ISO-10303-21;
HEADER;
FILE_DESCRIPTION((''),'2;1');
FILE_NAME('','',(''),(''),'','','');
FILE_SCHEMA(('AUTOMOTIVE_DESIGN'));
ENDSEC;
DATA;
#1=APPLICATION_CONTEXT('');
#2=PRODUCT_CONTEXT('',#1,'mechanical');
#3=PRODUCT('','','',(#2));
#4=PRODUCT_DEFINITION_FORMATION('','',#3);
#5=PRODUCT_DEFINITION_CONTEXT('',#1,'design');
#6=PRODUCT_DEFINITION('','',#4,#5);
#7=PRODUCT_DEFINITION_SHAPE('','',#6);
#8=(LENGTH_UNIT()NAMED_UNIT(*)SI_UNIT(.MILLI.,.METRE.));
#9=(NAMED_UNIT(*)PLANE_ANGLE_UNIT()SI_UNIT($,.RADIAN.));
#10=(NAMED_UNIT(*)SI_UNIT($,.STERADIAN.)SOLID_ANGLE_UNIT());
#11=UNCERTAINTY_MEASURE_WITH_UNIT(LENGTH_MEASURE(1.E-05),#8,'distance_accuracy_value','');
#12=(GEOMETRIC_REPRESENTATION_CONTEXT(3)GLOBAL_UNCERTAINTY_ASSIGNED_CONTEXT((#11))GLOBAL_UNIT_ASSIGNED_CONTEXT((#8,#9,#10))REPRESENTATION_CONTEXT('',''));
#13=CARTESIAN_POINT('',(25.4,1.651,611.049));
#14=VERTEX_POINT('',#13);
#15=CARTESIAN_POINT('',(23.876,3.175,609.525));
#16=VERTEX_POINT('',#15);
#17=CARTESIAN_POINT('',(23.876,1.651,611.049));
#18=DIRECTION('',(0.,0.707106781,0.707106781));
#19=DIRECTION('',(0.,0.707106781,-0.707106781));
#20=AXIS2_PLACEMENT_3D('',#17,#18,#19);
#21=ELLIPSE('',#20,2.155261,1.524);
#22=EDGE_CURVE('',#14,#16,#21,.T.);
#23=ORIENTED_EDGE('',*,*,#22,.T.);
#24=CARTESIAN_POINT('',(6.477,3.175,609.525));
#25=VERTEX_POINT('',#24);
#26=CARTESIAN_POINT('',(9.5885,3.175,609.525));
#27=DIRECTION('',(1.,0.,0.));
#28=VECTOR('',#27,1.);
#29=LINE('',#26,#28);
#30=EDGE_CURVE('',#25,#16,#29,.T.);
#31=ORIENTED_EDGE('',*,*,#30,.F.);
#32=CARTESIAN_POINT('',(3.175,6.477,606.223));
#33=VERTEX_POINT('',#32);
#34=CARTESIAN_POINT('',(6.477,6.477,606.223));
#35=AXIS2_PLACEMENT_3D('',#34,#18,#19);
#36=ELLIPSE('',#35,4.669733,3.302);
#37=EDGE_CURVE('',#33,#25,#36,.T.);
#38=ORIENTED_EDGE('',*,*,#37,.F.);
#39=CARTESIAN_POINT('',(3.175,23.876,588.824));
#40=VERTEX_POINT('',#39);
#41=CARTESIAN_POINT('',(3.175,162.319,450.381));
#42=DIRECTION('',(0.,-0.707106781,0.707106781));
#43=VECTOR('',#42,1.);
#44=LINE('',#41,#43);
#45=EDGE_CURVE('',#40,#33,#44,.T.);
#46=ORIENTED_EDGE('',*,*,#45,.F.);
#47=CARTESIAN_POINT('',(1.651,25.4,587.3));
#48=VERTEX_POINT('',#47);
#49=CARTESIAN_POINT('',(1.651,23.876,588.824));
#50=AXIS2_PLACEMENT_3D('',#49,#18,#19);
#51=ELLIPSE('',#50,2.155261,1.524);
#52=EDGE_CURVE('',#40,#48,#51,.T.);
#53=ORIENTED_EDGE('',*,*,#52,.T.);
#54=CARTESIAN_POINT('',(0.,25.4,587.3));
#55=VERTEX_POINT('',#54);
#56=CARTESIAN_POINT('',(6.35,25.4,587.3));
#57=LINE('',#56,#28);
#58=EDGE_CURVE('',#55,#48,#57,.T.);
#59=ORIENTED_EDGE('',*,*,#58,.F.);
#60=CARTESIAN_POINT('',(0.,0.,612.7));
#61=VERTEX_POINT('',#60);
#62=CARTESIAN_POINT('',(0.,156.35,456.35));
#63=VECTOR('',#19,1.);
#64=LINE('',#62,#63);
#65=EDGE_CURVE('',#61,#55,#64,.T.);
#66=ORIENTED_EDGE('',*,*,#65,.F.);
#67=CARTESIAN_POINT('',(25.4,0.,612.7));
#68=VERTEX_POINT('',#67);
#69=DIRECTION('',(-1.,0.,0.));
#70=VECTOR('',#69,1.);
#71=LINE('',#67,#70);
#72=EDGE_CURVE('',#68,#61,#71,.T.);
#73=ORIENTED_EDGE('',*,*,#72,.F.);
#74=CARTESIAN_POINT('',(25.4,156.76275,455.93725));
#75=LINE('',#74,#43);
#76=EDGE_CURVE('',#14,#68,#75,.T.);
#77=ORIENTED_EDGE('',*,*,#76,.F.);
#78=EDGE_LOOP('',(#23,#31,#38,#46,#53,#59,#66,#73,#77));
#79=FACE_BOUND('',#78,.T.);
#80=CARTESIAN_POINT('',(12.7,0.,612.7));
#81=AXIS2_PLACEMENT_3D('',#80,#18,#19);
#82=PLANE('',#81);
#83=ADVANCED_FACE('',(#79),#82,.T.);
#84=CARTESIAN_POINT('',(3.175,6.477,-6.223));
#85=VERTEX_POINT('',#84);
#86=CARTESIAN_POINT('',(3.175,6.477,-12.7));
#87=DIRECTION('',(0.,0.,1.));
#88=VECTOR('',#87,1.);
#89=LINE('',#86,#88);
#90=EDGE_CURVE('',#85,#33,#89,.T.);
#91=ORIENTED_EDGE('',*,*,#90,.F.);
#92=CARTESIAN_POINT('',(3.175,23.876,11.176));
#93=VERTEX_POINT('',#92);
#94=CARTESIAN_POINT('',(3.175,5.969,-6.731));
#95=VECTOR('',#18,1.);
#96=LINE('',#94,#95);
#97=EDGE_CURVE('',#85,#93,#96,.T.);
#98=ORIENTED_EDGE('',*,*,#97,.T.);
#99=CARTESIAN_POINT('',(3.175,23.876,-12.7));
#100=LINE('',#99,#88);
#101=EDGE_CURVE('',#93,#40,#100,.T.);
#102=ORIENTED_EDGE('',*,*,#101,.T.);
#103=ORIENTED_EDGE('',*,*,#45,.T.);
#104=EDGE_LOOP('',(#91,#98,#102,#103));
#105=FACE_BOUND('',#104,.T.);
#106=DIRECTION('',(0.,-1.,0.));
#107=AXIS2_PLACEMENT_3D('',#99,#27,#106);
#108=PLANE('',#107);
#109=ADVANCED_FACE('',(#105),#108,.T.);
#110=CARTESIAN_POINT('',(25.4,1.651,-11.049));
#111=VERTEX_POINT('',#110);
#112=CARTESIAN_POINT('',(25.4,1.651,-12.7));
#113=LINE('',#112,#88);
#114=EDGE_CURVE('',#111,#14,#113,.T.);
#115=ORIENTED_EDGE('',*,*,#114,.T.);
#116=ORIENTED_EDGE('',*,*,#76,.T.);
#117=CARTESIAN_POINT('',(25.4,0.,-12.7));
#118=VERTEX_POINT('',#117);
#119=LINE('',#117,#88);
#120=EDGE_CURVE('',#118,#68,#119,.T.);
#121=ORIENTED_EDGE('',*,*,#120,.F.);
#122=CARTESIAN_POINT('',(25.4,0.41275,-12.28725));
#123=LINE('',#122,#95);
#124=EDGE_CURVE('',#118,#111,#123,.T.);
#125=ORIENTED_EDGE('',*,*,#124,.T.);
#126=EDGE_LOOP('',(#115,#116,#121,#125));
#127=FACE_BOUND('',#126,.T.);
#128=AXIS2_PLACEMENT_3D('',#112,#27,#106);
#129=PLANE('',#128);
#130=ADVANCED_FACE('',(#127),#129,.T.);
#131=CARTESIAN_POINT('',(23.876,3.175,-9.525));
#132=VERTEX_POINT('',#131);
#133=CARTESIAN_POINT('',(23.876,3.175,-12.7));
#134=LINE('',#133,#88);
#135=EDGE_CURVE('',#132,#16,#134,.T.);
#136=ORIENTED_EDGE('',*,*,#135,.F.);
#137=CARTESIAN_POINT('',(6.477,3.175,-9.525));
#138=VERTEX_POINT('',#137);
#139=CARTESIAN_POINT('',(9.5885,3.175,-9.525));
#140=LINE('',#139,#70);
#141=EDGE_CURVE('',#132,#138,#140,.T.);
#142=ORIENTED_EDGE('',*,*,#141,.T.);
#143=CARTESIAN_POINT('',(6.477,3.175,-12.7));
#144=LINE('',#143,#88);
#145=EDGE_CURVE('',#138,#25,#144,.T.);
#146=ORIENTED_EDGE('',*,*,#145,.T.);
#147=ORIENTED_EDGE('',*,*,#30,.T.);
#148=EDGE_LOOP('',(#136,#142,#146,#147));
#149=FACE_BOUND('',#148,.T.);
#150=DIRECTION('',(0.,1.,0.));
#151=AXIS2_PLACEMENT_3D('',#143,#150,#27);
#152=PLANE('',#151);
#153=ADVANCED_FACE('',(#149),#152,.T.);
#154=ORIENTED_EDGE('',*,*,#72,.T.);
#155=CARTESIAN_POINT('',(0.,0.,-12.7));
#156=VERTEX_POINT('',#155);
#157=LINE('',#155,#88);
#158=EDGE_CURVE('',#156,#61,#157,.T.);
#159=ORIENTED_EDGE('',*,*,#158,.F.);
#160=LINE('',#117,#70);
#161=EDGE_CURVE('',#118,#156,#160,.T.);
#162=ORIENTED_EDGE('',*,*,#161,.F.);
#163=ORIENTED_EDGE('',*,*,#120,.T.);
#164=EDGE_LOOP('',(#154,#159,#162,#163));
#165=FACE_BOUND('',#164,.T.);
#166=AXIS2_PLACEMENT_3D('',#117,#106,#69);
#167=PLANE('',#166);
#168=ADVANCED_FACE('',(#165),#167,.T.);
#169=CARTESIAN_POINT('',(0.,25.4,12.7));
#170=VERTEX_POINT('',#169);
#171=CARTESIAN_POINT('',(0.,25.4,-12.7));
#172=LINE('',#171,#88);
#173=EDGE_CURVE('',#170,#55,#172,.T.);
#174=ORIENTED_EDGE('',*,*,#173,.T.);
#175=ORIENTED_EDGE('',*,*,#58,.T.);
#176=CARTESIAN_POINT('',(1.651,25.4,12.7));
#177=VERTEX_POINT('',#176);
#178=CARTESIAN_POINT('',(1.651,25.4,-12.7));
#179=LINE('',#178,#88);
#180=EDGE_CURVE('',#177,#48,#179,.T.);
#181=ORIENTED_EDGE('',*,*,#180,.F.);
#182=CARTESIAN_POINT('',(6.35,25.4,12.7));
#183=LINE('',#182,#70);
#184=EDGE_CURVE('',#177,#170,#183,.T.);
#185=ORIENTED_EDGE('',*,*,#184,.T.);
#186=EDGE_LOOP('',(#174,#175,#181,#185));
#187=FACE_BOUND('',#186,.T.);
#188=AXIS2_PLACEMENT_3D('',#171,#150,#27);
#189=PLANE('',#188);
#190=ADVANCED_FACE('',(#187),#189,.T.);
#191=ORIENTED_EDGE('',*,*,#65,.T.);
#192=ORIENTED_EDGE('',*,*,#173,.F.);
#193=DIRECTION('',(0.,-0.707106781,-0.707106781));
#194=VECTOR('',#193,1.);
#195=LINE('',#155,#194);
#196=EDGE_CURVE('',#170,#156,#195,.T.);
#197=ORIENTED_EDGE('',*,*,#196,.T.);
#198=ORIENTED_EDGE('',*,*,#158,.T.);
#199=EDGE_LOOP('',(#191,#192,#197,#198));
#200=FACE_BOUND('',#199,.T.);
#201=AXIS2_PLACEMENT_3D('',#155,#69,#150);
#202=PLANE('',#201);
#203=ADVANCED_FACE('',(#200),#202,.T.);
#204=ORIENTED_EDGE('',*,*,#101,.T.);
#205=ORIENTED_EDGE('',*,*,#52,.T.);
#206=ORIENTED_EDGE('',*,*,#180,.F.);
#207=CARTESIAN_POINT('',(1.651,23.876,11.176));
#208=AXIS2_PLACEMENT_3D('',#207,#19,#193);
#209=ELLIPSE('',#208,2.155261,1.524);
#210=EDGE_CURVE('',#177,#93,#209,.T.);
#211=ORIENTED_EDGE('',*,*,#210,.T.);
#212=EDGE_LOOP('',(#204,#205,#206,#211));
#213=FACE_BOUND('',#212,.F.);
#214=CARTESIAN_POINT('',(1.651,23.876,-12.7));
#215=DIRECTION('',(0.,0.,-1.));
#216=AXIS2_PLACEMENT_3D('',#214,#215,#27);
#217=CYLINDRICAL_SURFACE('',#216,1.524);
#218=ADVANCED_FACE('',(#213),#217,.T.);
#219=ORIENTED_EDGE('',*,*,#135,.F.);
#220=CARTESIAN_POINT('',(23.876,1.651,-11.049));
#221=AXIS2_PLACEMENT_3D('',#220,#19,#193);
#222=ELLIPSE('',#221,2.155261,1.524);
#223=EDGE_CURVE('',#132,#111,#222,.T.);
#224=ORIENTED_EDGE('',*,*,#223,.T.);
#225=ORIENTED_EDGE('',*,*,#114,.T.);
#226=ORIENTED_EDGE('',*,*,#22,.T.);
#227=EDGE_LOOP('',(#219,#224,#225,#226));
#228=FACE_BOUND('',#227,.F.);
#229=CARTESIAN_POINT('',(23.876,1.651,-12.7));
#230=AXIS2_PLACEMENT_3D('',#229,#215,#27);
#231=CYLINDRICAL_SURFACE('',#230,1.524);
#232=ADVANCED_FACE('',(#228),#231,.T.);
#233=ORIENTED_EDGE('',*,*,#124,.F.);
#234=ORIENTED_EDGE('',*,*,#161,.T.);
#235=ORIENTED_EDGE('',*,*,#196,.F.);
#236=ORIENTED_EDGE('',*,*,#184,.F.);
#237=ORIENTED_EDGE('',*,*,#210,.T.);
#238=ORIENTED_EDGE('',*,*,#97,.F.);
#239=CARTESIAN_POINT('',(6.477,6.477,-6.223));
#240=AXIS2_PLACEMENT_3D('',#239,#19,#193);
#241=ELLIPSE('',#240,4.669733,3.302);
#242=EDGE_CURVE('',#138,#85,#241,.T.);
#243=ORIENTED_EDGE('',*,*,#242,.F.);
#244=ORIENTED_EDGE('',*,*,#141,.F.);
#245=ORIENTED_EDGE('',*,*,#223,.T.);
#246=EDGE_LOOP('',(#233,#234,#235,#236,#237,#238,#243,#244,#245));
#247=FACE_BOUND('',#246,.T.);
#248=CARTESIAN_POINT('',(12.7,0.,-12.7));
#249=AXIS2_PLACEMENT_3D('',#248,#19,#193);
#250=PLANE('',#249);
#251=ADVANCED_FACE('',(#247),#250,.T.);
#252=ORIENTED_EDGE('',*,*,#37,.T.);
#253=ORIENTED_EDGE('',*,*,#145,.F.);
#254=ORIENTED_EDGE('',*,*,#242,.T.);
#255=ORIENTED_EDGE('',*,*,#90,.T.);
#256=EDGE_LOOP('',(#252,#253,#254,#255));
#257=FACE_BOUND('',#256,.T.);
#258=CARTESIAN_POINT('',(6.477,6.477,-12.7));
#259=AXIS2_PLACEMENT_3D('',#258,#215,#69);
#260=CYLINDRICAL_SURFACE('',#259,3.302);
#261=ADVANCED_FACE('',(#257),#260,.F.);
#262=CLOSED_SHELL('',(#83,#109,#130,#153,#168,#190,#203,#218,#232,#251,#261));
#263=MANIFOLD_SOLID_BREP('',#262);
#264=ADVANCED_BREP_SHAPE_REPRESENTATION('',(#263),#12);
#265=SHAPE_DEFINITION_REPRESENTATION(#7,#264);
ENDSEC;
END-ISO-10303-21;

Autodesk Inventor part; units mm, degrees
ref_plane "Start Plane" through (0, 0, -12.7) normal (0, 0, 1) x (1, 0, 0)
ref_plane "End Plane" through (0, 0, 612.7) normal (0, 0, 1) x (1, 0, 0)
sketch "Sketch" plane through (0, 0, 0) normal (0, 0, 1) x (1, 0, 0)
  line L0 (25.4, 0) -> (0, 0)
  line L1 (0, 0) -> (0, 25.4)
  line L2 (0, 25.4) -> (1.651, 25.4)
  line L3 (3.175, 23.876) -> (3.175, 6.477)
  line L4 (6.477, 3.175) -> (23.876, 3.175)
  line L5 (25.4, 1.651) -> (25.4, 0)
  line L6 (0, -11.0414) -> (0, 31.5385) construction
  line L7 (-11.0414, 0) -> (31.5385, 0) construction
  arc A0 (3.175, 6.477) -> (6.477, 3.175) centre (6.477, 6.477) ccw
  arc A1 (3.175, 23.876) -> (1.651, 25.4) centre (1.651, 23.876) ccw
  arc A2 (25.4, 1.651) -> (23.876, 3.175) centre (23.876, 1.651) ccw
  line L8 (0, 40.0545) -> (0, -19.5574) construction
  line L9 (-19.5574, 0) -> (40.0545, 0) construction
  point P0 (3.175, 25.4)
  point P1 (3.175, 3.175)
  point P2 (25.4, 3.175)
  dimension "d0" = 25.4
  dimension "d1" = 25.4
  dimension "d2" = 3.175
  dimension "d3" = 3.175
  dimension "d10" = 0
  dimension "d11" = 0
  dimension "d14" = 3.302
  dimension "d15" = 1.524
extrude "Body" add sketch "Sketch" along normal up to surface (625.4 mm away) from surface at -12.7
sketch "Sketch3" plane through (0, 0, 0) normal (0, 0, 1) x (1, 0, 0)
  line L0 (0, 0) -> (10, 0)
ref_plane "Work Plane3" through (0, 0, 0) normal (0, -1, 0) x (1, 0, 0)
ref_plane "Work Plane4" through (12.7, 0, -12.7) normal (0, 0.7071, -0.7071) x (1, 0, 0)
split "Split1" plane through (12.7, 0, -12.7) removes the side toward (0, 0.7071, -0.7071)
ref_plane "Work Plane5" through (12.7, 0, 612.7) normal (0, 0.7071, 0.7071) x (1, 0, 0)
split "Split2" plane through (12.7, 0, 612.7) removes the side toward (0, 0.7071, 0.7071)
sketch "Sketch4" plane through (0, 0, 0) normal (0, -1, 0) x (1, 0, 0)
  line L0 (-2, -12.7) -> (12, -12.7) projected
  line L1 (-2, 612.7) -> (12, 612.7) projected
  dimension "d17" = 625.4
equation "\"d0\" = G_H"
equation "\"d1\" = G_H"
equation "\"d2\" = G_T"
equation "\"d3\" = G_T"
equation "\"d14\" = G_IR"
equation "\"d15\" = G_ER"
equation "\"d4\" = G_L"
equation "\"G_H\" = 25.4"
equation "\"G_T\" = 3.175"
equation "\"G_ER\" = 1.524"
equation "\"G_IR\" = 3.302"
equation "\"G_L\" = d17"
equation "\"ex\" = 0"
equation "\"G_OFFSET_START\" = 12.7"
equation "\"G_OFFSET_END\" = 12.7"
equation "\"d12\" = -G_OFFSET_START"
equation "\"d13\" = G_OFFSET_END + B_L"
equation "\"B_L\" = 600"
properties part number "AISC - L 1 x 1 x 1/8 - 24.622" material "Steel, Mild"
